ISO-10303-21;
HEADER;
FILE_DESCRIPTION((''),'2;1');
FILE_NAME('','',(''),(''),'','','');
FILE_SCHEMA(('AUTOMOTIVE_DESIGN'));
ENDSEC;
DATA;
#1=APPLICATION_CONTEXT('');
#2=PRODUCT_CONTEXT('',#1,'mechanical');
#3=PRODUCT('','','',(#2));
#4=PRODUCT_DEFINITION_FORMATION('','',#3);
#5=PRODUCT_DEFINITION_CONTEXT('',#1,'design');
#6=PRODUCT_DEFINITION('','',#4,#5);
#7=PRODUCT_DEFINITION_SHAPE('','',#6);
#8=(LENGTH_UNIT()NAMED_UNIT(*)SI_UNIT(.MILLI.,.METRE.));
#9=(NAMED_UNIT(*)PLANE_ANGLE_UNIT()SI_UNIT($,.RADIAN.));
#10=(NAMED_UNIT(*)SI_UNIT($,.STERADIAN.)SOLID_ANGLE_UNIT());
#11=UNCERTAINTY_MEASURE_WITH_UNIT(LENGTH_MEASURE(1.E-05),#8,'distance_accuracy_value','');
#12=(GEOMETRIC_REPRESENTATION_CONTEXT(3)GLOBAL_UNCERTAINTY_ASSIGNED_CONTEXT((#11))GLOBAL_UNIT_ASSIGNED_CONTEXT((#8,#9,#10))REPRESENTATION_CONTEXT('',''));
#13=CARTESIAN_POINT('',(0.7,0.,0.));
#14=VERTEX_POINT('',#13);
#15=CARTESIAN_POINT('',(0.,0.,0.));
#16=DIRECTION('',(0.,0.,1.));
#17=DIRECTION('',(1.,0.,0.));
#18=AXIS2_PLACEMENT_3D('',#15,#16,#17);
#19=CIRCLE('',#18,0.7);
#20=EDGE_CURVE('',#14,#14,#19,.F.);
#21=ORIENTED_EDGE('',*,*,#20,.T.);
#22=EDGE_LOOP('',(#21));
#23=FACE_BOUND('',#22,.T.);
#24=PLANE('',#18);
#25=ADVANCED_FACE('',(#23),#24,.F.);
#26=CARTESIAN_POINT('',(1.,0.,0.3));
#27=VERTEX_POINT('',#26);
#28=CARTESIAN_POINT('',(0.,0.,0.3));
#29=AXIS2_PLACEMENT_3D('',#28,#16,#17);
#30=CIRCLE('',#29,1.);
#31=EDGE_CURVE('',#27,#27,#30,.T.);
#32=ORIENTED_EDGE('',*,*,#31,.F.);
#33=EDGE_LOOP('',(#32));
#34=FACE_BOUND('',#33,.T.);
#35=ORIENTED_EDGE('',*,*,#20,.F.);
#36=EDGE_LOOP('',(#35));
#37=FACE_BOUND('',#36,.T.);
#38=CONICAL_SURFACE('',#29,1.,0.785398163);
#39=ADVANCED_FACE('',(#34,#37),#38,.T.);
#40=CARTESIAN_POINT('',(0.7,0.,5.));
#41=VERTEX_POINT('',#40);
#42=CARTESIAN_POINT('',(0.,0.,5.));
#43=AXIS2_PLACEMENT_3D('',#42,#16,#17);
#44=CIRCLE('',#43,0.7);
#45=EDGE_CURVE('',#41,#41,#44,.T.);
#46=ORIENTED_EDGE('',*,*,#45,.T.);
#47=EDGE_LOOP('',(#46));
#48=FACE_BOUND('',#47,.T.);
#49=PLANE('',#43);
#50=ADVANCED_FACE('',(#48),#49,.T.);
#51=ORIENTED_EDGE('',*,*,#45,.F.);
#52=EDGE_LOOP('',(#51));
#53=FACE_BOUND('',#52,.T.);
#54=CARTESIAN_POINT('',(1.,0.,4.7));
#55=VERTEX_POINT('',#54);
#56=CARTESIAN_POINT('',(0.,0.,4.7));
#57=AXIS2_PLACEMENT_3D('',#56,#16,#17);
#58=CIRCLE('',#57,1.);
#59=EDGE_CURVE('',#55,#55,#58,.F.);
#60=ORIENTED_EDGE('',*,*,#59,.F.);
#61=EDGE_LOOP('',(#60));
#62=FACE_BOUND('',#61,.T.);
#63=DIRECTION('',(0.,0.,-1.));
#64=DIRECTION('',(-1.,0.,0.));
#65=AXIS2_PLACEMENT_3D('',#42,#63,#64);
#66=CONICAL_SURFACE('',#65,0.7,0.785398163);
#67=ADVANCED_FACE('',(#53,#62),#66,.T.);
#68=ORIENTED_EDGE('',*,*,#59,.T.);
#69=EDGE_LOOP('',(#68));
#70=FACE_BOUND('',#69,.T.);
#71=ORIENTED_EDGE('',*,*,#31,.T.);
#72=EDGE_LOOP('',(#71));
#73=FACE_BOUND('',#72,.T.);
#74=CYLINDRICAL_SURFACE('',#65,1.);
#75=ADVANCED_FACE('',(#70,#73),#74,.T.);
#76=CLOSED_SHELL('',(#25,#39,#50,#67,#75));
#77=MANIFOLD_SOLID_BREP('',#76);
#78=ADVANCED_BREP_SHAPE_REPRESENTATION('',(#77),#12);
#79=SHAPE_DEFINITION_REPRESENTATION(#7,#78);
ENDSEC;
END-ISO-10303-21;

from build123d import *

# Parameters (mm, degrees)
SKETCH1_R           = 1
BOSS_EXTRUDE1_DEPTH = 5
CHAMFER1_SIZE       = 0.3


with BuildPart() as part:
    # Sketch1 → Boss-Extrude1 (new body)
    with BuildSketch(Plane.XY):
        Circle(SKETCH1_R)
    extrude(amount=BOSS_EXTRUDE1_DEPTH)

    # Chamfer1
    chamfer1_edges = [part.edges().sort_by_distance(p)[0] for p in [
        (-1, 0, 0),
        (-1, 0, 5),
    ]]
    chamfer(chamfer1_edges, length=CHAMFER1_SIZE)


solid = part.part
